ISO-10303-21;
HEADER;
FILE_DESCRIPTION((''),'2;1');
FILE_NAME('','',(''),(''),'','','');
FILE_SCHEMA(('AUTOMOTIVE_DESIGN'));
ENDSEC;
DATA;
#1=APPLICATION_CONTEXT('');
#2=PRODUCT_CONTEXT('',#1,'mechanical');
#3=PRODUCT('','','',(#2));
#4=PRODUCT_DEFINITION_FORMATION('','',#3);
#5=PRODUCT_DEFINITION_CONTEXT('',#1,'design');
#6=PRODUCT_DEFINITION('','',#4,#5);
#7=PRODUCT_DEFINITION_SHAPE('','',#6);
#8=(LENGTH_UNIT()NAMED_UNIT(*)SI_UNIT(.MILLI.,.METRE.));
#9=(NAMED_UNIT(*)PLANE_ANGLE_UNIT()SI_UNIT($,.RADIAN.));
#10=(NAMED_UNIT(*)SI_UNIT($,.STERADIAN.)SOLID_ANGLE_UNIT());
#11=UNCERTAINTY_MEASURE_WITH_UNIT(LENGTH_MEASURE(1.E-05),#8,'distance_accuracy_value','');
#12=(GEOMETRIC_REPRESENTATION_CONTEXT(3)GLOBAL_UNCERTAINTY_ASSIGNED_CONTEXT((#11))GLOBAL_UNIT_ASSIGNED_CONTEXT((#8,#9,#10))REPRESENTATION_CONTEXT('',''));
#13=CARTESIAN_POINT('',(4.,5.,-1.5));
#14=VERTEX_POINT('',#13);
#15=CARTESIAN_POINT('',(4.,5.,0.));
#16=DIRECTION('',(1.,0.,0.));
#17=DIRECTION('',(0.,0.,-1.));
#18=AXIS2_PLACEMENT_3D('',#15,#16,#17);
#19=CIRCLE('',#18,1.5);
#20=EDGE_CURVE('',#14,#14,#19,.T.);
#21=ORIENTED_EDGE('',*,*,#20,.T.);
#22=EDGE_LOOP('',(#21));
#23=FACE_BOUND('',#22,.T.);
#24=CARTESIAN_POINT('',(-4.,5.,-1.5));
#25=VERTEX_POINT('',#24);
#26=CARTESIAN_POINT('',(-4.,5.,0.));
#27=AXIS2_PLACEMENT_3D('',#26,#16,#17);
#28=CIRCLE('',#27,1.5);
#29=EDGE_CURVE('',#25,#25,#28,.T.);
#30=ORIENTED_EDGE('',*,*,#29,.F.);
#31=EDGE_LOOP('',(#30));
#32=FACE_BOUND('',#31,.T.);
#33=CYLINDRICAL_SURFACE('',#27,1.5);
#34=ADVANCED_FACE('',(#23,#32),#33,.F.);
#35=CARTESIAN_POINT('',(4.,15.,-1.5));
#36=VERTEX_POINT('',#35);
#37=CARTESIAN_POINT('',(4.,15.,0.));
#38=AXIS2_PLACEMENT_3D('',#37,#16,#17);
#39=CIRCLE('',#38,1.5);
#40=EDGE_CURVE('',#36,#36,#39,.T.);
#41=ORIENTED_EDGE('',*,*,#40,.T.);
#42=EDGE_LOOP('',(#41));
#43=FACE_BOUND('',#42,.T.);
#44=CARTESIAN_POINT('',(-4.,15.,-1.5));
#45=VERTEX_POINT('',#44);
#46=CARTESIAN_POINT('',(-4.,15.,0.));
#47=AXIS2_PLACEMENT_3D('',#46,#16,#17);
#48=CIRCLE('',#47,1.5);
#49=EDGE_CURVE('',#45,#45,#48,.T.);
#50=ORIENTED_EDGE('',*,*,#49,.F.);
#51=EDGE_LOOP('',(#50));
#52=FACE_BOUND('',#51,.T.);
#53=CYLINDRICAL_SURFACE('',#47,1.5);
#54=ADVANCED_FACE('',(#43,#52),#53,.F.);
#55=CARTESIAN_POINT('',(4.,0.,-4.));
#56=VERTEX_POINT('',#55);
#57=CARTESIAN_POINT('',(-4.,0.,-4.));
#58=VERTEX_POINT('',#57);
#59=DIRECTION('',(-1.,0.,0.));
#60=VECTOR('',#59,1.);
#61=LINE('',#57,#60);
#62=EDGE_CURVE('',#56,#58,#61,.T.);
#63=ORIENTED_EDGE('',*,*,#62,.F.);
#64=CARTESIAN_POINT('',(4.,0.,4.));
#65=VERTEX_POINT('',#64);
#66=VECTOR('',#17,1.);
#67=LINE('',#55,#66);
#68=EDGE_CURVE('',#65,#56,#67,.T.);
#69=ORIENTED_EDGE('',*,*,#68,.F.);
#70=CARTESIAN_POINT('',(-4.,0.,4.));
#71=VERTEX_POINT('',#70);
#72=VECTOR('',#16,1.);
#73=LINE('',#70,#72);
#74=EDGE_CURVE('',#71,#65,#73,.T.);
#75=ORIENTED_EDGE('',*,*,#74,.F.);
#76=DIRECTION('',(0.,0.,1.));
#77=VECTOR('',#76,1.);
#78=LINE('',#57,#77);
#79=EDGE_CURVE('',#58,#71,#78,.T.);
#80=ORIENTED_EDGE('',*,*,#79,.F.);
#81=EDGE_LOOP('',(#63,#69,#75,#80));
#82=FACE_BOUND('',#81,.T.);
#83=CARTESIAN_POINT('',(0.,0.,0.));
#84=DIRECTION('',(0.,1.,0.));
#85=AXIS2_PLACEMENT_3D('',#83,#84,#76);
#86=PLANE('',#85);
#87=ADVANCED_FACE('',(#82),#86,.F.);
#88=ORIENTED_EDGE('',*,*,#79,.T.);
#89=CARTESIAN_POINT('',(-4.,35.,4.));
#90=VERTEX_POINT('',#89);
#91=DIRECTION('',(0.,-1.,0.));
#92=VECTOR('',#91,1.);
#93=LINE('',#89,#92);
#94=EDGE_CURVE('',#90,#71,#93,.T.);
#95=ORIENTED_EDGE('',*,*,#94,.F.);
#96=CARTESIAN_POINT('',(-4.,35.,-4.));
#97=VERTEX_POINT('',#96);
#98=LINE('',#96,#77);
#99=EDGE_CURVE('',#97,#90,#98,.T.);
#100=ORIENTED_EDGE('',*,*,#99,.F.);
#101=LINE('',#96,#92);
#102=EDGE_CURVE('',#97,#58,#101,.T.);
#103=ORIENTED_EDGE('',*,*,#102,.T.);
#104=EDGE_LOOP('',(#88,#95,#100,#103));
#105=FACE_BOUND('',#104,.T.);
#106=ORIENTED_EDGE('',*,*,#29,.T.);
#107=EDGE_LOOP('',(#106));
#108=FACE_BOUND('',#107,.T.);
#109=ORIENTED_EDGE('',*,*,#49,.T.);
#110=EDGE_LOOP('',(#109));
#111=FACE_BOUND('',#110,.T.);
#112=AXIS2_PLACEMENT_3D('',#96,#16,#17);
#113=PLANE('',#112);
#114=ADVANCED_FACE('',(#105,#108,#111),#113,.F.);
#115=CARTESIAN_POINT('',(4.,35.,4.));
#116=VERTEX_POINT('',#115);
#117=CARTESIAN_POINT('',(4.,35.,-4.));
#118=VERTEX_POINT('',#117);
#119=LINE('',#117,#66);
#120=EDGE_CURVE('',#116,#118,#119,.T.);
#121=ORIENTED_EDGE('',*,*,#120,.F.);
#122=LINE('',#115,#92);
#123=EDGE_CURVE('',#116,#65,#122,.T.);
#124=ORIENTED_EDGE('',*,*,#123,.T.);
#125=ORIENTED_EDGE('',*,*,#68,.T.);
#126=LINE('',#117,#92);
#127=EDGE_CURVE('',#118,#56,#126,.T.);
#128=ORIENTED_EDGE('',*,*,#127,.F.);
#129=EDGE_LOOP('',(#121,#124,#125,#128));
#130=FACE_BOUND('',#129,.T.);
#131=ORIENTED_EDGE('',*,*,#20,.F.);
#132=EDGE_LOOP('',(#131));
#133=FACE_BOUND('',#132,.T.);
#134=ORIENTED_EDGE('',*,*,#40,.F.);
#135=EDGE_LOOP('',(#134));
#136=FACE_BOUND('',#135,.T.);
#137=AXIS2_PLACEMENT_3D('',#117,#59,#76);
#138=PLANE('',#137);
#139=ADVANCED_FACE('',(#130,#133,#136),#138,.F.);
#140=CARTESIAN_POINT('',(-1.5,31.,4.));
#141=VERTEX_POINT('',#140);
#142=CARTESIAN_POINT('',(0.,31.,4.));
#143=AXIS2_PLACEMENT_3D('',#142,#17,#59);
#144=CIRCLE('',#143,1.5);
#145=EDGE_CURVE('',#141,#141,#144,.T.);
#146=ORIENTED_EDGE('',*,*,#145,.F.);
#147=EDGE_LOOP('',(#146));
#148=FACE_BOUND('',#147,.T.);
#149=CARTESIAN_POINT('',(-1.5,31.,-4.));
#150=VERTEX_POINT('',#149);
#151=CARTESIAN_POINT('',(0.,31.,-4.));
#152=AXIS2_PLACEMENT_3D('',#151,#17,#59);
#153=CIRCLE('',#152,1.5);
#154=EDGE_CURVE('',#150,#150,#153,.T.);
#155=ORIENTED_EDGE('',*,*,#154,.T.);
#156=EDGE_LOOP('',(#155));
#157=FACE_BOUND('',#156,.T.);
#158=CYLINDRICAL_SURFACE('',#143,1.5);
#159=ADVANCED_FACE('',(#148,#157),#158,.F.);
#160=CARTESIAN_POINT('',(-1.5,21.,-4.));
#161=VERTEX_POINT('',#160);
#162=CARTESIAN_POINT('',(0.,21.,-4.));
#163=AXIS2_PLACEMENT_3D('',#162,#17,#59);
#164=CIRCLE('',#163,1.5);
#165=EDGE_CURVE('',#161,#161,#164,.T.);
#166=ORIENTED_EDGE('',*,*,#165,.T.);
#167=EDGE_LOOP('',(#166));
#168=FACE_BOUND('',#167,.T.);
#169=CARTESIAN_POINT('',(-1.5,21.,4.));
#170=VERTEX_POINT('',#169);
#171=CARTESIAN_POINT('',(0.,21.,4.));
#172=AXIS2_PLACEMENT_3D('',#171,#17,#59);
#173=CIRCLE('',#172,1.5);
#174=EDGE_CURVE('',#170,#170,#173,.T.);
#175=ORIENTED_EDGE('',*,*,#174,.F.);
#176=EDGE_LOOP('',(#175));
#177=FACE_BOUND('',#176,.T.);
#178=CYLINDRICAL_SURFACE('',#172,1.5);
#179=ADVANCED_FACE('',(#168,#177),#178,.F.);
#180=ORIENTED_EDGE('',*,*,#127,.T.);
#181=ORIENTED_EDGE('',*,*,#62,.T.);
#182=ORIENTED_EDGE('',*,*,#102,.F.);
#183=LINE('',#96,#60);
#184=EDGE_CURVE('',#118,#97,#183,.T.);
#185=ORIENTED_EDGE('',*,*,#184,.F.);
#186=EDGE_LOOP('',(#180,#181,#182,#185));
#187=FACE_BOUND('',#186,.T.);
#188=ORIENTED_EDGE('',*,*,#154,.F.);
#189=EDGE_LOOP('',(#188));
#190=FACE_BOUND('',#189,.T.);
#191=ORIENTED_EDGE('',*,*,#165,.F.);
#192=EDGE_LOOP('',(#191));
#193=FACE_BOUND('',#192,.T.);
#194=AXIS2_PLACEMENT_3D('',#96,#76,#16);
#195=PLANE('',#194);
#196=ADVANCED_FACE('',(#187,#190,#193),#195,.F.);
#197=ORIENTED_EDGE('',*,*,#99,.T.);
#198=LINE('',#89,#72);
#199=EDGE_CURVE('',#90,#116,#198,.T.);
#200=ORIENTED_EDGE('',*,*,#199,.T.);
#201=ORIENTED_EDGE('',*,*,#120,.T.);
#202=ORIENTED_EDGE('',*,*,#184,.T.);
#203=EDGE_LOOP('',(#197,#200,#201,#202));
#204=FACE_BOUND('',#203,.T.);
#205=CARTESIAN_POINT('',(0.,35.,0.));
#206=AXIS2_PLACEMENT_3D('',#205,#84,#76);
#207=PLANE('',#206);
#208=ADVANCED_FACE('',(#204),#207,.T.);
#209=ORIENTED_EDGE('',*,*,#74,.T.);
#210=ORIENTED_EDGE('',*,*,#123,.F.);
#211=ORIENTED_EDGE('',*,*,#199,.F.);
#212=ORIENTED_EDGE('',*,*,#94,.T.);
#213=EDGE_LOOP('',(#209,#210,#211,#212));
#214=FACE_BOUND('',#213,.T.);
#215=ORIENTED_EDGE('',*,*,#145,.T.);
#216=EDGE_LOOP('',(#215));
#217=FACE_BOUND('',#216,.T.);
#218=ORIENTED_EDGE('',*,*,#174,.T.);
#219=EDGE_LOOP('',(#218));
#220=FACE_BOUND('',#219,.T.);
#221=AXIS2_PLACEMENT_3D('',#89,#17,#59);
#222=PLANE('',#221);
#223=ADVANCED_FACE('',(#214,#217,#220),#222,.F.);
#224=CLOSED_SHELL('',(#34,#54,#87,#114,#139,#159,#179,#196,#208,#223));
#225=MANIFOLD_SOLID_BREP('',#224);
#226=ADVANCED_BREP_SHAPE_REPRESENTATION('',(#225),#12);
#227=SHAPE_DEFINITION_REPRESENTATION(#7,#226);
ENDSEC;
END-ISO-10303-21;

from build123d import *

# Parameters (mm, degrees)
SKETCH1_W           = 8
SKETCH1_H           = 8
BOSS_EXTRUDE1_DEPTH = 35
SKETCH2_R           = 1.5
CUT_EXTRUDE1_DEPTH  = 37.124783736
SKETCH3_R           = 1.5
CUT_EXTRUDE2_DEPTH  = 37.124783736


with BuildPart() as part:
    # Sketch1 → Boss-Extrude1 (new body)
    with BuildSketch(Plane(origin=(0, 0, 0), x_dir=(1, 0, 0), z_dir=(0, 1, 0))):
        Rectangle(SKETCH1_W, SKETCH1_H)
    extrude(amount=BOSS_EXTRUDE1_DEPTH)

    # Sketch2 → Cut-Extrude1 (cut, through all)
    with BuildSketch(Plane(origin=(0, 0, -4), x_dir=(-1, 0, 0), z_dir=(0, 0, -1))):
        with Locations((0, 31)):
            Circle(SKETCH2_R)
        with Locations((0, 21)):
            Circle(SKETCH2_R)
    extrude(amount=-CUT_EXTRUDE1_DEPTH, mode=Mode.SUBTRACT)

    # Sketch3 → Cut-Extrude2 (cut, through all)
    with BuildSketch(Plane(origin=(4, 0, 0), x_dir=(0, 0, -1), z_dir=(1, 0, 0))):
        with Locations((0, 15)):
            Circle(SKETCH3_R)
        with Locations((0, 5)):
            Circle(SKETCH3_R)
    extrude(amount=-CUT_EXTRUDE2_DEPTH, mode=Mode.SUBTRACT)


solid = part.part
